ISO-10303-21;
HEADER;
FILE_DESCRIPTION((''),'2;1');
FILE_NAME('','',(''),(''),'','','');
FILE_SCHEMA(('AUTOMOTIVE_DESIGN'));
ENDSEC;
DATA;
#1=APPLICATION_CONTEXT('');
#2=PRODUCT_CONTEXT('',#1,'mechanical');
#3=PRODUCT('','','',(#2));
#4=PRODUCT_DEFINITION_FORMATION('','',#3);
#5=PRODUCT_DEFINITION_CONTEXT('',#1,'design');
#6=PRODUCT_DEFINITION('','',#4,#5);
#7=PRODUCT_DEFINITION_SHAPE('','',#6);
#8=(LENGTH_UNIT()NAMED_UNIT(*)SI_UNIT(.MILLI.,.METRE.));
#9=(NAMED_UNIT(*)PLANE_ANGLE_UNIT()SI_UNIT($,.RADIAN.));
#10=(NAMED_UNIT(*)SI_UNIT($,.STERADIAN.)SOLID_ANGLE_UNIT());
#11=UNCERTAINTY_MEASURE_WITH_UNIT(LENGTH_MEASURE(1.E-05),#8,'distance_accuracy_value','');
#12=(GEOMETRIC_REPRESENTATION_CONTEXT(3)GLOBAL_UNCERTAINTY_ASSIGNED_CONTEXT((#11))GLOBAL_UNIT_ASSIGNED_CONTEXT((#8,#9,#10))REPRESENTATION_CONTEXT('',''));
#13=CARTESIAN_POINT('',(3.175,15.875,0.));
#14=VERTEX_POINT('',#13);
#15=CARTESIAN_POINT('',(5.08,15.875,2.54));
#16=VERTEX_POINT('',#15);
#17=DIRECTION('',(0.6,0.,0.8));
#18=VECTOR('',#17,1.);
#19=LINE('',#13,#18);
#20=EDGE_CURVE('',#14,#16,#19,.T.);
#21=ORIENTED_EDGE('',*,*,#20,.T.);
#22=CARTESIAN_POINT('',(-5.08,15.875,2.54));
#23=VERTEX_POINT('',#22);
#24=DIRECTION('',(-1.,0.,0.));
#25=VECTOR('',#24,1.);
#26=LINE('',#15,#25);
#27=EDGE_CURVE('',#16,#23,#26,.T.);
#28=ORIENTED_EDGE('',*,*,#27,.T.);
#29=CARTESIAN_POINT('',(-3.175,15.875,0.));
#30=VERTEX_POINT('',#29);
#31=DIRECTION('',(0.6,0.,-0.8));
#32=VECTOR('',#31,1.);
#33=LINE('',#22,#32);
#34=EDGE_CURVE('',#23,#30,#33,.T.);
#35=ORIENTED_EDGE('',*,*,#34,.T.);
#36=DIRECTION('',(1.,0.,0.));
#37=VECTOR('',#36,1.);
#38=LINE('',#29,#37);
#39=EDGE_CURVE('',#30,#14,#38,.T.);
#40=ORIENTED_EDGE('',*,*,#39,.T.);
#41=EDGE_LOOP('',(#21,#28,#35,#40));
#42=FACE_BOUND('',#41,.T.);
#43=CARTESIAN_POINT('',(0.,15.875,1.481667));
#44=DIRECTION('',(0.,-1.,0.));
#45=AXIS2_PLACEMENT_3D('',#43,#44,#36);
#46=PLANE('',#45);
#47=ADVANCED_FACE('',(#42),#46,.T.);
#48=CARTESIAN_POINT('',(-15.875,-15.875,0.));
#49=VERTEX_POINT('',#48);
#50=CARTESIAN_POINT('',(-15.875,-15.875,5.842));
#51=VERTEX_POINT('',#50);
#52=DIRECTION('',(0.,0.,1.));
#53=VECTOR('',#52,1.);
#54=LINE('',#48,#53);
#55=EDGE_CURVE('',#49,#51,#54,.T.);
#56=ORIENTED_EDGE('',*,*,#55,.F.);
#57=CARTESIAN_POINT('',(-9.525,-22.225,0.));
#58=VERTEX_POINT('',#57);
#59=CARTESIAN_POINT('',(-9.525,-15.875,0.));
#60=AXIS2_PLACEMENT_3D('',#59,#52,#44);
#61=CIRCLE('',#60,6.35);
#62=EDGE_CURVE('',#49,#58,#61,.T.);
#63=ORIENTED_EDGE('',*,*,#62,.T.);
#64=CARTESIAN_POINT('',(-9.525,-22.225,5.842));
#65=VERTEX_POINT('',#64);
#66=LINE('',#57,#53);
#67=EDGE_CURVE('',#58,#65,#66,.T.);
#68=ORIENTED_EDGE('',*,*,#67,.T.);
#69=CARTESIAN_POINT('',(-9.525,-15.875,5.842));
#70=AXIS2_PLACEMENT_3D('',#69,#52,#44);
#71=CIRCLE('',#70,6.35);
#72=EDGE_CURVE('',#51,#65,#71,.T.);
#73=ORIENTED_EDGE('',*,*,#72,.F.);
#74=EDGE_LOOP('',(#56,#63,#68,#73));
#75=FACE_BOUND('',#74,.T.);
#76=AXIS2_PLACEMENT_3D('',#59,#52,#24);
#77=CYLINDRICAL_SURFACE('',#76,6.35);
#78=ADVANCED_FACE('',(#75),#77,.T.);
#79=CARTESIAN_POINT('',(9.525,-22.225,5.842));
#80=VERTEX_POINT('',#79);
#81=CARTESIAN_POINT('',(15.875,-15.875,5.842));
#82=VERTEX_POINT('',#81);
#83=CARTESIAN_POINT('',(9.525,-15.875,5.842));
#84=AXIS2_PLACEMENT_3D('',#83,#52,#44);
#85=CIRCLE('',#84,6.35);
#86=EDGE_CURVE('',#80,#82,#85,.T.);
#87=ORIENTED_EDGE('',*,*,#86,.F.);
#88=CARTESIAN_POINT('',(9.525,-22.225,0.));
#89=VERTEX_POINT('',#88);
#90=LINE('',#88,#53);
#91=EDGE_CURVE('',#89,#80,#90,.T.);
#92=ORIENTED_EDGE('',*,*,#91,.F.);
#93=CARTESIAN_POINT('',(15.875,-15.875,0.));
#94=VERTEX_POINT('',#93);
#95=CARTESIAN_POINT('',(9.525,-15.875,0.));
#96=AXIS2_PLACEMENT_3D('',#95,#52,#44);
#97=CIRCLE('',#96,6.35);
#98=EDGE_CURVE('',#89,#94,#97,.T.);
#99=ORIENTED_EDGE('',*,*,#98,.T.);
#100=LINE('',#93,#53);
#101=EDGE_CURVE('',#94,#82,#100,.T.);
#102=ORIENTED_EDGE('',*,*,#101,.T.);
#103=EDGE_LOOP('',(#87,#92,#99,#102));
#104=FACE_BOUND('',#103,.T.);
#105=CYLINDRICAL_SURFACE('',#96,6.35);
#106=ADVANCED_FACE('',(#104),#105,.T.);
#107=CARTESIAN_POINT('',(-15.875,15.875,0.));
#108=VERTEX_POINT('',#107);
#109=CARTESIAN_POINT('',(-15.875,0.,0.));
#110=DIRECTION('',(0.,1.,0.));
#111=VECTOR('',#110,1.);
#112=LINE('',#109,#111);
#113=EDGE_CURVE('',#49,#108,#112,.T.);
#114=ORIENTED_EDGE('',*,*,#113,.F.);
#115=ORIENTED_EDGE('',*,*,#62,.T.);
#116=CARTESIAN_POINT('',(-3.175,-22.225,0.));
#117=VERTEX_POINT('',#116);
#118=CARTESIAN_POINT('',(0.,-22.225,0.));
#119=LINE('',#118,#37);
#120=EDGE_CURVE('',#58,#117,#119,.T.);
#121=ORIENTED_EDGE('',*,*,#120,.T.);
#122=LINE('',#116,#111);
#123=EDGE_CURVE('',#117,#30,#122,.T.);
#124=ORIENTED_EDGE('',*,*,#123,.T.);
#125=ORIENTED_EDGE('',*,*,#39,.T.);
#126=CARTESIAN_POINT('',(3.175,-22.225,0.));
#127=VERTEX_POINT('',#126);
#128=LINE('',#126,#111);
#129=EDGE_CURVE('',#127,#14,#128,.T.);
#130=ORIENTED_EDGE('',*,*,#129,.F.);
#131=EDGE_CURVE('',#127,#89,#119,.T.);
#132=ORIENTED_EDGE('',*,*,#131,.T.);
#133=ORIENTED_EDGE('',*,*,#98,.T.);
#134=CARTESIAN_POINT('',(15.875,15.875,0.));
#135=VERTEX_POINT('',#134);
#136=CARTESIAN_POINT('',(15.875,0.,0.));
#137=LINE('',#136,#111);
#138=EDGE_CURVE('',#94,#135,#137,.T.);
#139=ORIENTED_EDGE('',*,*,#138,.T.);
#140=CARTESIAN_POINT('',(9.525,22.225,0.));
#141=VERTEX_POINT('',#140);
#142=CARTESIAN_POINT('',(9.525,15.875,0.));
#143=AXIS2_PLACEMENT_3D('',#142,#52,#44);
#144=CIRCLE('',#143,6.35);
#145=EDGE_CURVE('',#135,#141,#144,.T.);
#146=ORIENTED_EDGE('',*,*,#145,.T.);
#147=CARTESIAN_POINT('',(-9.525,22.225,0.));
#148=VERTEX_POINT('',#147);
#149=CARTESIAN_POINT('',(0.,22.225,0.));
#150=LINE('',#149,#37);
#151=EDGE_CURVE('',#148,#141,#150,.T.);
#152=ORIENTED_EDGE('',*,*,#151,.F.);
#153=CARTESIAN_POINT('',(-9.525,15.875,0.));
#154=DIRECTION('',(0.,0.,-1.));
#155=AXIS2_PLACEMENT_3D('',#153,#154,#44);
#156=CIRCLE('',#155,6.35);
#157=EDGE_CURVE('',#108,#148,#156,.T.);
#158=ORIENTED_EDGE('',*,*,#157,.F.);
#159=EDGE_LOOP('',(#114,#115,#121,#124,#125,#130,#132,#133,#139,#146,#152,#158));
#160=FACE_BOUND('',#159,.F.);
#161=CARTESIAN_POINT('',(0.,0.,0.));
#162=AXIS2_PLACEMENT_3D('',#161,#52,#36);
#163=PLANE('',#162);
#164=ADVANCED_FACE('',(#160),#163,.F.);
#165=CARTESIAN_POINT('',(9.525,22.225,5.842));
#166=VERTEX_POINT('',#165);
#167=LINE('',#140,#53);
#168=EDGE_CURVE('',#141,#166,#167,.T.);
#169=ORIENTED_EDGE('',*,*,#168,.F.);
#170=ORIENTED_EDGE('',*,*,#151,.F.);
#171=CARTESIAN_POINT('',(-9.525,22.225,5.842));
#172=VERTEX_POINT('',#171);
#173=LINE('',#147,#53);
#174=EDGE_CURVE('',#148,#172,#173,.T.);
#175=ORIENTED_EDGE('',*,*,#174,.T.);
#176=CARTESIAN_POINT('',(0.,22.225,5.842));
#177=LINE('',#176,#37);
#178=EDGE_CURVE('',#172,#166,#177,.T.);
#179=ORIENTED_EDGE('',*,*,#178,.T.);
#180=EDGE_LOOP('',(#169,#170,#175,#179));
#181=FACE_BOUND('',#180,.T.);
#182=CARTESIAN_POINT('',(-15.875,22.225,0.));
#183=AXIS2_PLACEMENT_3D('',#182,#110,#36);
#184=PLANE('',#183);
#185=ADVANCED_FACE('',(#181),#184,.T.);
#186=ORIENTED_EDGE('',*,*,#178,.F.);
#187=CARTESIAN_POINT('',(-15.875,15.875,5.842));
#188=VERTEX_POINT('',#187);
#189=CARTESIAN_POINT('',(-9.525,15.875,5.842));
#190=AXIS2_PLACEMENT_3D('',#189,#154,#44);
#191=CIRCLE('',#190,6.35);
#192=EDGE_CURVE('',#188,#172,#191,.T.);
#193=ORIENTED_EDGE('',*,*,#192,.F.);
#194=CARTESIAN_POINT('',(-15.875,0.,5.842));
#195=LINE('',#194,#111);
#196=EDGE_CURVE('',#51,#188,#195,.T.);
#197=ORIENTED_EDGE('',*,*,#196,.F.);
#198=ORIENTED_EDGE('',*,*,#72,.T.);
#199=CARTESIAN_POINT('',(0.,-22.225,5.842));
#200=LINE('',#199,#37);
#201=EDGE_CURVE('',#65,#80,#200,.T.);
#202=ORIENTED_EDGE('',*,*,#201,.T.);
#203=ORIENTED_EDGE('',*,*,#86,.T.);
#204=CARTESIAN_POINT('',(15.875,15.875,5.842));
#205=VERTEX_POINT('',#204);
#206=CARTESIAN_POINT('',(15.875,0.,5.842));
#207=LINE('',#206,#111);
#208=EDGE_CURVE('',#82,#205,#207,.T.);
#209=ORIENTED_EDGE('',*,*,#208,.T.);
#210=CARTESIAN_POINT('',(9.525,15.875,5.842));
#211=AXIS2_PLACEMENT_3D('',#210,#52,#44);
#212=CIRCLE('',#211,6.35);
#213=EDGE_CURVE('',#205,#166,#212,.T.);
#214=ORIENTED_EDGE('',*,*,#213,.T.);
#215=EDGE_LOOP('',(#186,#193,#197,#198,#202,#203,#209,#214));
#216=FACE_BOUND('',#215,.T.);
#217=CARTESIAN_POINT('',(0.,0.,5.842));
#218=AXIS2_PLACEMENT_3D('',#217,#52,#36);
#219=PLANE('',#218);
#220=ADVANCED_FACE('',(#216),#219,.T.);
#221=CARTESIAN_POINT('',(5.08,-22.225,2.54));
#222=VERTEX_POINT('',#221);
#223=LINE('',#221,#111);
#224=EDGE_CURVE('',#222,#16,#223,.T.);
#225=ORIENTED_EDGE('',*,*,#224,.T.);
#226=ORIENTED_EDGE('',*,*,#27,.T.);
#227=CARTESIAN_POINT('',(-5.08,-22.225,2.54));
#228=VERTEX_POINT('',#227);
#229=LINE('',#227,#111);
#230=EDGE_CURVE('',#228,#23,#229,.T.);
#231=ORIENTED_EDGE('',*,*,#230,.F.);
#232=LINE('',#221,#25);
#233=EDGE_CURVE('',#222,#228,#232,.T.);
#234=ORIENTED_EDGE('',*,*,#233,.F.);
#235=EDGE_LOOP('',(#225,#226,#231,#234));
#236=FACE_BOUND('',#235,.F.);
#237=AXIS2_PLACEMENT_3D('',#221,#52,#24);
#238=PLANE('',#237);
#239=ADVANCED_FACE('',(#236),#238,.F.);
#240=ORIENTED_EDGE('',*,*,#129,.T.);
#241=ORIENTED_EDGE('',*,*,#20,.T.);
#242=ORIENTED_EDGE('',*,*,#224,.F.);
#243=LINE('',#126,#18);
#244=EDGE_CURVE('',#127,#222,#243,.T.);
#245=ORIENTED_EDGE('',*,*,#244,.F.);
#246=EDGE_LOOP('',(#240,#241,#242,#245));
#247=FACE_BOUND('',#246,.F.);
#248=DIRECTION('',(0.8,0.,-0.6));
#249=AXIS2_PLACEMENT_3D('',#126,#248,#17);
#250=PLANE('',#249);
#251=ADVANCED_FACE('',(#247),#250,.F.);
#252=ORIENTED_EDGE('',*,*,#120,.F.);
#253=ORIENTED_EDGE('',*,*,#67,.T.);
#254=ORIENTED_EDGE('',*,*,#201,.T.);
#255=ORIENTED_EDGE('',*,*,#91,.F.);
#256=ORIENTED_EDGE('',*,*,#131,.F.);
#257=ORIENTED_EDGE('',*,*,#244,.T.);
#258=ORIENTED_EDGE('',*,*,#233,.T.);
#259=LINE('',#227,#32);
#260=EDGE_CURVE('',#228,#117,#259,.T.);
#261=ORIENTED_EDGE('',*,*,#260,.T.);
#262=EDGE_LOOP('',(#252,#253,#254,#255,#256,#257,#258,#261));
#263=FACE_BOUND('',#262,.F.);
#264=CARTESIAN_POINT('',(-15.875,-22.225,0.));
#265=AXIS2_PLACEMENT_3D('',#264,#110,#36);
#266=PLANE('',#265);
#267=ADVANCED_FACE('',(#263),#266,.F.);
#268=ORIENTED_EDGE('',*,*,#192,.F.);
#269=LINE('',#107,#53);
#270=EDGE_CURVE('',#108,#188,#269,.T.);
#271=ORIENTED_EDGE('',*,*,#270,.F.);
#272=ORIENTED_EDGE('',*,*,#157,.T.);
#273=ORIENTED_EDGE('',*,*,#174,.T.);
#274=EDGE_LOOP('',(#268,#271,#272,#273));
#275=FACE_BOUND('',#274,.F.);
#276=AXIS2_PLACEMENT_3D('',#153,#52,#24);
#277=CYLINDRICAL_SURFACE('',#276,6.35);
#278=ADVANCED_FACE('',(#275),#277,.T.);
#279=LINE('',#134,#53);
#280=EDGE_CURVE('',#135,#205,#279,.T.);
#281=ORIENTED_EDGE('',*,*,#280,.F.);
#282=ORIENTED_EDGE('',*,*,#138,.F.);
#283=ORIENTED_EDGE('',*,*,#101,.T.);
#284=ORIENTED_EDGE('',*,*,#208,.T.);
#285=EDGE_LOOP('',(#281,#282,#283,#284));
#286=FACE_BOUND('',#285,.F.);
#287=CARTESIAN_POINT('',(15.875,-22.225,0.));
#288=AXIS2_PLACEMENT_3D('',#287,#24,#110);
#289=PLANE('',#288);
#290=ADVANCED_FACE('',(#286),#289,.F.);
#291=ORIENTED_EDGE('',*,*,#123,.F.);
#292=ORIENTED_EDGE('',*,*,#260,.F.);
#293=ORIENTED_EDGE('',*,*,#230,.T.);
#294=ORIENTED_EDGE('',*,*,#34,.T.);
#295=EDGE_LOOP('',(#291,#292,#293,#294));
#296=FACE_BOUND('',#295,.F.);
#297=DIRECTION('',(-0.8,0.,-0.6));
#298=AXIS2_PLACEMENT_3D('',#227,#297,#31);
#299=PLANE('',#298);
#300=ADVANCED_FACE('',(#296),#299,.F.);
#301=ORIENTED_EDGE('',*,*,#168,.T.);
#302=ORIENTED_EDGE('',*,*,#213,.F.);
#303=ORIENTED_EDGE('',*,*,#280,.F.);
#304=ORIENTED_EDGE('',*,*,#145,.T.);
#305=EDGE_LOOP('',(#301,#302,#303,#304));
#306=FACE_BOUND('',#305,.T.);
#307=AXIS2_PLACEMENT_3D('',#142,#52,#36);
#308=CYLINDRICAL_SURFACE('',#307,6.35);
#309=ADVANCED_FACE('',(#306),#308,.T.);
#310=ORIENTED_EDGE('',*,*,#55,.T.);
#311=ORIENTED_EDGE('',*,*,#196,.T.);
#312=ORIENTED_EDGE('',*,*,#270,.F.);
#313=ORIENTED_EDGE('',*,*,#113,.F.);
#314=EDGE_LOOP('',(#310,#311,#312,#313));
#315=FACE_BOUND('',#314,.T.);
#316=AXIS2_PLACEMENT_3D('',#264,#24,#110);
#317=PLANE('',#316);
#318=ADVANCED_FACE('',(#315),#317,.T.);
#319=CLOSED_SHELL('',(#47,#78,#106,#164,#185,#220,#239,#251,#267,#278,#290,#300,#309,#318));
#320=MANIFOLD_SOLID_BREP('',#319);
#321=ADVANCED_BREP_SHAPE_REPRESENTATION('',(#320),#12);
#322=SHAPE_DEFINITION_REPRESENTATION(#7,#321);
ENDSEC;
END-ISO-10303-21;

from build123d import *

# Parameters (mm, degrees)
F0_W     = 31.75
F0_H     = 44.45
F1_DEPTH = 5.842
F2_R     = 6.35
F4_DEPTH = 38.1


with BuildPart() as f1:
    # F0 (on Top) → F1 (new body)
    with BuildSketch(Plane.XY):
        Rectangle(F0_W, F0_H)
    extrude(amount=F1_DEPTH)

    # F2
    f2_edges = [f1.edges().sort_by_distance(p)[0] for p in [
        (15.875, 22.225, 2.921),
        (-15.875, 22.225, 2.921),
        (-15.875, -22.225, 2.921),
        (15.875, -22.225, 2.921),
    ]]
    fillet(f2_edges, radius=F2_R)

    # F3 (on face) → F4 (cut)
    with BuildSketch(Plane.XZ.offset(22.225)):
        Polygon((5.08, 2.54), (0, 2.54), (-5.08, 2.54), (-3.175, 0), (3.175, 0), align=None)
    extrude(amount=-F4_DEPTH, mode=Mode.SUBTRACT)


solid = f1.part
